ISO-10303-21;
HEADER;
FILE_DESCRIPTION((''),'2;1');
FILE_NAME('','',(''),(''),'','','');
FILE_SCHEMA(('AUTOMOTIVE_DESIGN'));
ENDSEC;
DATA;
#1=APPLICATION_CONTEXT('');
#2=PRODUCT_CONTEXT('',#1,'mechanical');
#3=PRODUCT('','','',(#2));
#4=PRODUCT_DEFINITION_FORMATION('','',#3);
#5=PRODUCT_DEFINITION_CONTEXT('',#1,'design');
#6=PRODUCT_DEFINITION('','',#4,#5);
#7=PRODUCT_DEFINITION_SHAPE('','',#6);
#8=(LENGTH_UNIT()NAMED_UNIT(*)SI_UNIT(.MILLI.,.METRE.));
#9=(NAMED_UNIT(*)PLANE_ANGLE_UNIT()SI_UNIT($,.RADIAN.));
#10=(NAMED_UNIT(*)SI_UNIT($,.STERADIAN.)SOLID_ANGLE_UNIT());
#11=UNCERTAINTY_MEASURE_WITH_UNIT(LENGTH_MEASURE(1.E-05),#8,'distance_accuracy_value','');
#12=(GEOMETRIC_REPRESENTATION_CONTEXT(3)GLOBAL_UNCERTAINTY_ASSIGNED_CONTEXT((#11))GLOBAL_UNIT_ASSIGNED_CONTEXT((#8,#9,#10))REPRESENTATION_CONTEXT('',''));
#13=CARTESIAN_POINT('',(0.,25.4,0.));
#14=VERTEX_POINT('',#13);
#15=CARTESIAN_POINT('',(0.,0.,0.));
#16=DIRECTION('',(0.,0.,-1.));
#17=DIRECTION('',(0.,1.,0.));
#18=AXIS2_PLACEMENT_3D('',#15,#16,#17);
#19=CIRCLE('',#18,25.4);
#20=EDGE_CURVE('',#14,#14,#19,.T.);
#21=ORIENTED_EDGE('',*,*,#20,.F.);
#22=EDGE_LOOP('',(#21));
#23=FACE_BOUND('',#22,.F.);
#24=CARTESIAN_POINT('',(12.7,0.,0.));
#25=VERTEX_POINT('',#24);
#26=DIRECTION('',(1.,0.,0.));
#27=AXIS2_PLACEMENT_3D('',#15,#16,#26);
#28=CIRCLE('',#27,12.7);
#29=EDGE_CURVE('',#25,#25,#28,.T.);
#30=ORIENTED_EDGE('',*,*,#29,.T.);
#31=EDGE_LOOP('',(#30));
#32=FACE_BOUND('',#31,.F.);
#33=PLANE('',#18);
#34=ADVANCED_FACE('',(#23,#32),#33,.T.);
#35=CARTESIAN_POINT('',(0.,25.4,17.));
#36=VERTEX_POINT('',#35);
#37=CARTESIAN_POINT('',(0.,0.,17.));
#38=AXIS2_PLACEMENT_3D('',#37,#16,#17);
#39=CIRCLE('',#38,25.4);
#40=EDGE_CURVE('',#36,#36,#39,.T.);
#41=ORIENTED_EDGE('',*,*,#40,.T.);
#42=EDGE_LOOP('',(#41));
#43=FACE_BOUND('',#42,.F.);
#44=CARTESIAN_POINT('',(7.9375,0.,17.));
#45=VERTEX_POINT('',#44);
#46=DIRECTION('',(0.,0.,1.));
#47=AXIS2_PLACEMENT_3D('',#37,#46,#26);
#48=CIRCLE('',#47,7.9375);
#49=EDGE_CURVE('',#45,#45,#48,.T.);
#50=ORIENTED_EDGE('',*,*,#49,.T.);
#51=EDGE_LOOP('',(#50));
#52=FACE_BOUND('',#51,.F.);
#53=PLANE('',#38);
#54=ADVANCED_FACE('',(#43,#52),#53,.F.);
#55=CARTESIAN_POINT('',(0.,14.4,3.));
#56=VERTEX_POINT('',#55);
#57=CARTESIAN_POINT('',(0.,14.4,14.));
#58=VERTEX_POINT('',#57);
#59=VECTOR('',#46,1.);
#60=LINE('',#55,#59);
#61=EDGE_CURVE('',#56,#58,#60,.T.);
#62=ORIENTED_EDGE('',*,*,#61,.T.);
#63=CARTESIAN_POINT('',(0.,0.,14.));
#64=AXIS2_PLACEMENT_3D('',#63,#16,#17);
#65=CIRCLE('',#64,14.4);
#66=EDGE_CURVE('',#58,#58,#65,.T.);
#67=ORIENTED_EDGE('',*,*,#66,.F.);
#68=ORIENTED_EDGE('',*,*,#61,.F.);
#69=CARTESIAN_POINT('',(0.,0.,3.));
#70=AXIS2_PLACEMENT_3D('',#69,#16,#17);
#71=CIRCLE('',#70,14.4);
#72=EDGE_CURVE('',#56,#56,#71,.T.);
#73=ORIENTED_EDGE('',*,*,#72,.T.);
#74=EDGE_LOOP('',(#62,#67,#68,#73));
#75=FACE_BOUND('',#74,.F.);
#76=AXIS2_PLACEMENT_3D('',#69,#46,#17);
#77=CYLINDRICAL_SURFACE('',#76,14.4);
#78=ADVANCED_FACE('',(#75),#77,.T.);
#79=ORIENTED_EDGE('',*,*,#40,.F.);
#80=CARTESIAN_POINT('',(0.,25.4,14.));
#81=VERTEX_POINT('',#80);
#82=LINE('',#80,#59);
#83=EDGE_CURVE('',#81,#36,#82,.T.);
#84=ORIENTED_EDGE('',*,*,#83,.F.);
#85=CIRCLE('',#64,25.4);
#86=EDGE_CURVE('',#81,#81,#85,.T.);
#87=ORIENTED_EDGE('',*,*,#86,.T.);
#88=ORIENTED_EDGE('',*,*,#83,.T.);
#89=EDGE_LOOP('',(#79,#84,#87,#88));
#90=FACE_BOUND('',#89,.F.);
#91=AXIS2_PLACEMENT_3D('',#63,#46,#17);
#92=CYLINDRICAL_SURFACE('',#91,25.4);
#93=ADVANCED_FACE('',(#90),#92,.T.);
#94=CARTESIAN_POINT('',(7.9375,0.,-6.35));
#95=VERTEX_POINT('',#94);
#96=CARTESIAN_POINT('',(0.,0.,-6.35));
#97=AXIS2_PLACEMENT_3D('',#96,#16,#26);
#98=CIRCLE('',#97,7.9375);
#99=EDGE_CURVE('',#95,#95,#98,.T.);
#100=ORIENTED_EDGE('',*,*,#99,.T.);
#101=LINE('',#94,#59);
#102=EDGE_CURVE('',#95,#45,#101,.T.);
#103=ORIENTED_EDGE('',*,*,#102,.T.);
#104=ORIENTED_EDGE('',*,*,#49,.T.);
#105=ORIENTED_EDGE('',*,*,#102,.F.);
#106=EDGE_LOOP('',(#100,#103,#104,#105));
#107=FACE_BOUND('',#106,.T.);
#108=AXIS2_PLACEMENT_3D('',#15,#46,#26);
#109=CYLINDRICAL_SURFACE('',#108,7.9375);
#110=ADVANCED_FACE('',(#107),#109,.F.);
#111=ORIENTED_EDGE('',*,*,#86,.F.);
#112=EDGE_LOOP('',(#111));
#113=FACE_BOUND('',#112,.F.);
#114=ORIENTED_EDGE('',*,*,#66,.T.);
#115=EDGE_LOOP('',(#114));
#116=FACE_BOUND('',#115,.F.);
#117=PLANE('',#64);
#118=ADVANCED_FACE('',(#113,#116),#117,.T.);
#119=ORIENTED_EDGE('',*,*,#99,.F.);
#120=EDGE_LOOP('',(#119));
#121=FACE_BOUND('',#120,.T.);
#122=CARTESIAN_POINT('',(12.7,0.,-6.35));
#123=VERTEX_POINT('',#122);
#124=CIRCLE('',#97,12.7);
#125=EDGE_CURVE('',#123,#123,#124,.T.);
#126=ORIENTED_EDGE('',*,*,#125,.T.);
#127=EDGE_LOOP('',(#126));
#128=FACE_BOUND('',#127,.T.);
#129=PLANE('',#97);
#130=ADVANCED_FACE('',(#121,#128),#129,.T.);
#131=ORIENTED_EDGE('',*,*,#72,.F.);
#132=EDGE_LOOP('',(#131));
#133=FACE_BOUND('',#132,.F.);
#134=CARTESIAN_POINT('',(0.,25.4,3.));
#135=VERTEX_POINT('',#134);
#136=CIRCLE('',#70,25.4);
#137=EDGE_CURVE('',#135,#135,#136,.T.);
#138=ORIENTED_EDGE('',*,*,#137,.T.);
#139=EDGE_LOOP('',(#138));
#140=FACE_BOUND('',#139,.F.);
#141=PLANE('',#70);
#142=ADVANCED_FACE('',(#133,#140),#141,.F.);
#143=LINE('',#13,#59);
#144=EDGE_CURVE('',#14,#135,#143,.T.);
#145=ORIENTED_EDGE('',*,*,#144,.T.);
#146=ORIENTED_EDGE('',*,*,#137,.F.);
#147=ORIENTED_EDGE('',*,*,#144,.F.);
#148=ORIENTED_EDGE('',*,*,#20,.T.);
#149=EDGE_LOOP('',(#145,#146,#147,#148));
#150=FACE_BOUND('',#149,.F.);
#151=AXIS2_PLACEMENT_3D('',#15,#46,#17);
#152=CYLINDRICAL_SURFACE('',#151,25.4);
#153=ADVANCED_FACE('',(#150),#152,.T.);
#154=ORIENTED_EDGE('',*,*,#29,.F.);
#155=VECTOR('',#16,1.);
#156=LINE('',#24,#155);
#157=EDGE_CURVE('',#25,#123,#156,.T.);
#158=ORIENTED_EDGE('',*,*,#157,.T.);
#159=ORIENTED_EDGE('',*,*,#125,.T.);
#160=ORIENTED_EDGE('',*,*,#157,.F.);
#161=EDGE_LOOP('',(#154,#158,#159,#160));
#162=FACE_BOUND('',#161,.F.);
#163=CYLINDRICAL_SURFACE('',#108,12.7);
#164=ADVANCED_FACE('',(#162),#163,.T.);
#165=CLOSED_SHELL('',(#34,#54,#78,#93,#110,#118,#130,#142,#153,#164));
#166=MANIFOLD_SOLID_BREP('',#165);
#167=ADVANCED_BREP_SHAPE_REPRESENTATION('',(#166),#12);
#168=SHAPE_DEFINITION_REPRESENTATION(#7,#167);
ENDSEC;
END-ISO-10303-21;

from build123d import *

# Parameters (mm, degrees)
F2_R     = 7.9375
F3_DEPTH = 25.4
F4_R     = 12.7
F4_R_2   = 7.9375
F5_DEPTH = 6.35


with BuildPart() as f1:
    # F0 (on Right) → F1 (revolve)
    with BuildSketch(Plane.YZ):
        Polygon((0, 17), (0, 0), (25.4, 0), (25.4, 3), (14.4, 3), (14.4, 14), (25.4, 14), (25.4, 17), align=None)
    revolve(axis=Axis((0, 0, 8.5), (0, 0, -1)))

    # F2 (on face) → F3 (cut)
    with BuildSketch(Plane.XY.offset(17)):
        Circle(F2_R)
    extrude(amount=-F3_DEPTH, mode=Mode.SUBTRACT)

    # F4 (on face) → F5 (join)
    with BuildSketch(Plane(origin=(0, 0, 0), x_dir=(1, 0, 0), z_dir=(0, 0, -1))):
        Circle(F4_R)
        Circle(F4_R_2, mode=Mode.SUBTRACT)
    extrude(amount=F5_DEPTH)


solid = f1.part
